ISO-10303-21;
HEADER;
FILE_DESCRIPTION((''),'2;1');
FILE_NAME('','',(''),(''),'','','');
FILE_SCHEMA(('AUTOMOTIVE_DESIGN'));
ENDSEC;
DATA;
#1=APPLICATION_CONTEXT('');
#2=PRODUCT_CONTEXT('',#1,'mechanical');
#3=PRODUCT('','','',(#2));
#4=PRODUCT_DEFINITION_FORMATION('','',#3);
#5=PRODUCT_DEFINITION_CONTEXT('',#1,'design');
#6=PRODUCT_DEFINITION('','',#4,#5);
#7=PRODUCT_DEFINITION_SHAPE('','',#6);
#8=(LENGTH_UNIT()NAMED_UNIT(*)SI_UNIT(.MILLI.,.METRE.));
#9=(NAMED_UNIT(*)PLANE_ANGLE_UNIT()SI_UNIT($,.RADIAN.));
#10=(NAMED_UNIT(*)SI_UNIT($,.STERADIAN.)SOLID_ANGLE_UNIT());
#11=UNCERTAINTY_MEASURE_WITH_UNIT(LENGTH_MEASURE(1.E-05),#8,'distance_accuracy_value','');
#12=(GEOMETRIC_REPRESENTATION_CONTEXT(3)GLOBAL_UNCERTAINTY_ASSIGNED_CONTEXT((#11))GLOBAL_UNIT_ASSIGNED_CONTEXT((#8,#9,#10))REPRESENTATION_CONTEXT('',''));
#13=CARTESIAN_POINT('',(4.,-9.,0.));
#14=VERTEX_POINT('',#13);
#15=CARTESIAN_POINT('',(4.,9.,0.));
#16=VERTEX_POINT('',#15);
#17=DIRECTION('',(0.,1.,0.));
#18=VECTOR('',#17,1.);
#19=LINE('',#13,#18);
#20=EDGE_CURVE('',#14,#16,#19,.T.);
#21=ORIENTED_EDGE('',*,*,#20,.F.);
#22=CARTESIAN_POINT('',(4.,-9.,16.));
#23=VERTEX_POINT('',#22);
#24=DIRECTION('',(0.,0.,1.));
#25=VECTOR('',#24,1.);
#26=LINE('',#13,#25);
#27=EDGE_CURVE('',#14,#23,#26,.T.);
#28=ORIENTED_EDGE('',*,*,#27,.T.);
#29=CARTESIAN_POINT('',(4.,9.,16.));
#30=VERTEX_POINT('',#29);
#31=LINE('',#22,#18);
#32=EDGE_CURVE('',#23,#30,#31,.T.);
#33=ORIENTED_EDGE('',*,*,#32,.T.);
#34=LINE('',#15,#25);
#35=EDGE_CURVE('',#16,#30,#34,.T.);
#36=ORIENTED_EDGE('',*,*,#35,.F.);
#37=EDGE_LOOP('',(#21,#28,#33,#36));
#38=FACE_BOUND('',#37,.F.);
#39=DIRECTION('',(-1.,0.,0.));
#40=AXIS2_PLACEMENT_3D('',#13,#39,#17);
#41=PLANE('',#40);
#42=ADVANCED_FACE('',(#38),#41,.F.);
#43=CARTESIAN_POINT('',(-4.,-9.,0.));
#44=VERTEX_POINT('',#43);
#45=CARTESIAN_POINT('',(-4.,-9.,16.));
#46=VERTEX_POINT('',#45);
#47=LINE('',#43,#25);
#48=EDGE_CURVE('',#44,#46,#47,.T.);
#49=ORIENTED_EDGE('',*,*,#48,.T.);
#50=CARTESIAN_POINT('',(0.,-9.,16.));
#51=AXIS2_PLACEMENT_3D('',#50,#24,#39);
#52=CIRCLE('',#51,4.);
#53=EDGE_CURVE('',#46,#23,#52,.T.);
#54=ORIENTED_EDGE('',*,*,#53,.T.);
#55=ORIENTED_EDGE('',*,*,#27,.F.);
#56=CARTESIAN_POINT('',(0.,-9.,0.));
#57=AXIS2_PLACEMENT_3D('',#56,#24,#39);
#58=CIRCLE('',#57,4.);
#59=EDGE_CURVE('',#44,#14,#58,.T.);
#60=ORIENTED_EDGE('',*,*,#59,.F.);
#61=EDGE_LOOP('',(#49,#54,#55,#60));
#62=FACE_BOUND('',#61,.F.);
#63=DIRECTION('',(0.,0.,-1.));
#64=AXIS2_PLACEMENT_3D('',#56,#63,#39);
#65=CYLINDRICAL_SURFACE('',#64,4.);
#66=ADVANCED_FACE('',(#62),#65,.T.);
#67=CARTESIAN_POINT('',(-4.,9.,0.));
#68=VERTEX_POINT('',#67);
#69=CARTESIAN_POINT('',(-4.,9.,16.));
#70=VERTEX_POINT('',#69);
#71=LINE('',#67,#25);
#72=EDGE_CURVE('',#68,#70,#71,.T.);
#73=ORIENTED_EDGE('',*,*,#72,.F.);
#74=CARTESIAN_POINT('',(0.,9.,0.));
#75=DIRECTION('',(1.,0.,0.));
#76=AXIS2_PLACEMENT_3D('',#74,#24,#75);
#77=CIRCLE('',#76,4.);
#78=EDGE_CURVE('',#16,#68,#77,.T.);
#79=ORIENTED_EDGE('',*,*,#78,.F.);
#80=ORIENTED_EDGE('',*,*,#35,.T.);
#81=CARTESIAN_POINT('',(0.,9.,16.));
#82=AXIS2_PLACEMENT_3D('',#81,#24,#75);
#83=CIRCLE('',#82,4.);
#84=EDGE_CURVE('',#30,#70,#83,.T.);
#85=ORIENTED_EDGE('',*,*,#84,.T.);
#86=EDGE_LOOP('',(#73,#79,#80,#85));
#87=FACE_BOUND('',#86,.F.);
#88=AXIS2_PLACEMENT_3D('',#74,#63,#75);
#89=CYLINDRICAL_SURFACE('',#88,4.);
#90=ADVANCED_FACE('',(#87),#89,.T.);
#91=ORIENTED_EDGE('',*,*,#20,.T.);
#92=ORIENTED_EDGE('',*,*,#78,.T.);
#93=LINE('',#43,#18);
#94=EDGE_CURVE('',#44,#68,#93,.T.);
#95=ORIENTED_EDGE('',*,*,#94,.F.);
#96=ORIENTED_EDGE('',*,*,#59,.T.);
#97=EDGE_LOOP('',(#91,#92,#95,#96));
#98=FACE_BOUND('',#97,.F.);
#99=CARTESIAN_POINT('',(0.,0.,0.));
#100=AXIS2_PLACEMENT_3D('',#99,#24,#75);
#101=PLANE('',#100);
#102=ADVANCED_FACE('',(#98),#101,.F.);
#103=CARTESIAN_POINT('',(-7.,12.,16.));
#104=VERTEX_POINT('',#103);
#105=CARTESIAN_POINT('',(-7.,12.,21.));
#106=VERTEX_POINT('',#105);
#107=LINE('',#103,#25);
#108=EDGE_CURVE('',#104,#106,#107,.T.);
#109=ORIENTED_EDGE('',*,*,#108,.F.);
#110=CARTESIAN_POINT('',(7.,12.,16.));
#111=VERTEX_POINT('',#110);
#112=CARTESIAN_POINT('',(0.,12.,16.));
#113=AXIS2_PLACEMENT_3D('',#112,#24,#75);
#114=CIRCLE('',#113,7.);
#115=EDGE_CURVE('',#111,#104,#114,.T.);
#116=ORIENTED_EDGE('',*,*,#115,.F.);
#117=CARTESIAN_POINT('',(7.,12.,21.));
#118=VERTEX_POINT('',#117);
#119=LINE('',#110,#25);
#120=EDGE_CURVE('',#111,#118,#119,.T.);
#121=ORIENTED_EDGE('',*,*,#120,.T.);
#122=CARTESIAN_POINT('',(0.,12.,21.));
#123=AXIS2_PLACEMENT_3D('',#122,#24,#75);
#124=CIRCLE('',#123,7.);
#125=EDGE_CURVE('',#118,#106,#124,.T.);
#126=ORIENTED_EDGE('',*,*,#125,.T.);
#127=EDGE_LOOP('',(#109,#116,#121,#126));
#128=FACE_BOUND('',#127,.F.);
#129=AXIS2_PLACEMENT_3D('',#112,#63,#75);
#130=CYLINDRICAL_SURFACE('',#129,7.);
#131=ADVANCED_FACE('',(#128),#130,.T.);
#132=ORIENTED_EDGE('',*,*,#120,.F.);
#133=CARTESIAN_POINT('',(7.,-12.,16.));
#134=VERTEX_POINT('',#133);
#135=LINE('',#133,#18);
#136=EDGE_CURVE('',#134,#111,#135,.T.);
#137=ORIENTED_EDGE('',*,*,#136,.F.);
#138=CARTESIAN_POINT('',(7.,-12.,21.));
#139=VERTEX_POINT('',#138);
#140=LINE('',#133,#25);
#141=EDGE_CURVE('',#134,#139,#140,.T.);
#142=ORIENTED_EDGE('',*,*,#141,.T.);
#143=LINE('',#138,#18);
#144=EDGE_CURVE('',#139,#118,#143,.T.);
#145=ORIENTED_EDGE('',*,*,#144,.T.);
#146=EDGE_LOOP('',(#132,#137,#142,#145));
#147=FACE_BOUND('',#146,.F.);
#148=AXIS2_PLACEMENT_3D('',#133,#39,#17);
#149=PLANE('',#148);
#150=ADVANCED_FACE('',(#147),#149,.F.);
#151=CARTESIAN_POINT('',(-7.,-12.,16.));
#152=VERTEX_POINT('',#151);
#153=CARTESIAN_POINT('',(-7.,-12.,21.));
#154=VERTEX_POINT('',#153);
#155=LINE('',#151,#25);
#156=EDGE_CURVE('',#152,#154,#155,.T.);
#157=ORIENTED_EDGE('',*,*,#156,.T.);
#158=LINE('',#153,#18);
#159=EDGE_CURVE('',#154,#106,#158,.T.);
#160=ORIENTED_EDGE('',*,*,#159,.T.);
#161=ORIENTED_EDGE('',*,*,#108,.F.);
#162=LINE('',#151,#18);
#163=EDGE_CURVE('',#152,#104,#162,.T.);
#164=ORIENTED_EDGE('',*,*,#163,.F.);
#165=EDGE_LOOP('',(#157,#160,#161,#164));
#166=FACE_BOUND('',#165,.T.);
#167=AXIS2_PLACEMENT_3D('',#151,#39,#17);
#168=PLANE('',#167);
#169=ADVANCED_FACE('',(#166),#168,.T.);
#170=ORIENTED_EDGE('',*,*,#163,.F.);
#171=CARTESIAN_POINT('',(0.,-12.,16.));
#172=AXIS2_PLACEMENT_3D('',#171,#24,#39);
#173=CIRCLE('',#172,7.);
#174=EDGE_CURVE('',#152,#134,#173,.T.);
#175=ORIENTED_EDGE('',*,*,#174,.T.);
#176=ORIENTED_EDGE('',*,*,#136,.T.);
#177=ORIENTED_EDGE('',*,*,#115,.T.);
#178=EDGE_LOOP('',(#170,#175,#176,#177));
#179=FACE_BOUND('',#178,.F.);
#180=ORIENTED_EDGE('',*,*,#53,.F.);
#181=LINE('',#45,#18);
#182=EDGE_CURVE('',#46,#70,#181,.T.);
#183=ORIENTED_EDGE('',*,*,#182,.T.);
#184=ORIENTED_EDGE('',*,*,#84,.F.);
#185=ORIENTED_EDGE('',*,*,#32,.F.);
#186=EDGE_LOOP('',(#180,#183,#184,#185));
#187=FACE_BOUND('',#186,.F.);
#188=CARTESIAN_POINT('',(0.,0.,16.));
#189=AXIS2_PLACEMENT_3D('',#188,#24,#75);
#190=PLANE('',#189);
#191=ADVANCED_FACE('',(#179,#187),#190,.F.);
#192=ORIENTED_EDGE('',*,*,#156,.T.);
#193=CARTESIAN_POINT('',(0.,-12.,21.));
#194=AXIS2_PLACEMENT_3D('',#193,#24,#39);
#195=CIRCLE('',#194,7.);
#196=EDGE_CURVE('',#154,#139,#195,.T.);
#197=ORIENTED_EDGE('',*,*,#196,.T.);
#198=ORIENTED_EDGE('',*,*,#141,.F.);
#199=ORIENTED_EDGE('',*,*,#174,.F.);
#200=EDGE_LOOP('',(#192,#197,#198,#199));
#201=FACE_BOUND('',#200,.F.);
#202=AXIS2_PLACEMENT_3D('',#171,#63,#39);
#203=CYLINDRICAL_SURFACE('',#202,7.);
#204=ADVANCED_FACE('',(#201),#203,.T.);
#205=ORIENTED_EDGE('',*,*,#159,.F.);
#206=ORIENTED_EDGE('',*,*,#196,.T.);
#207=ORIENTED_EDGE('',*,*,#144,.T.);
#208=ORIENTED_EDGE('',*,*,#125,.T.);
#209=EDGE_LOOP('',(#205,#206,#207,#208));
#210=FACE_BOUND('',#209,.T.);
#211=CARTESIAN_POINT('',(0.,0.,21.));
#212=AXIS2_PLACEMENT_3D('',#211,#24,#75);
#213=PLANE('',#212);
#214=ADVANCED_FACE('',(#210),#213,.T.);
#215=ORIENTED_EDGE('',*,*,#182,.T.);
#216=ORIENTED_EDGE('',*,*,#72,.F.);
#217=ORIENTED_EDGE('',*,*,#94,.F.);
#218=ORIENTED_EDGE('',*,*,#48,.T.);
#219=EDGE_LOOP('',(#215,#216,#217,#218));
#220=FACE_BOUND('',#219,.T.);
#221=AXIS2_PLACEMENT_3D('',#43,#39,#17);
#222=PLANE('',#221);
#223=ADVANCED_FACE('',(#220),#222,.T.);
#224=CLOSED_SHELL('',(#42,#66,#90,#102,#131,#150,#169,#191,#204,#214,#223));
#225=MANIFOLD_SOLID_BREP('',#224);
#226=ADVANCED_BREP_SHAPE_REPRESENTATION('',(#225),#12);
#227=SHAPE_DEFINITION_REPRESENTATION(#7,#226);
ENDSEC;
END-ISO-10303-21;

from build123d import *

# Parameters (mm, degrees)
EXTRUDE001_DEPTH = 5
EXTRUDE_DEPTH    = 16


with BuildPart() as cap_top_extrude:
    # Sketch006 → Extrude001 (new body)
    with BuildSketch(Plane.XY):
        with BuildLine():
            ThreePointArc((-7, -12), (0, -19), (7, -12))
            Line((7, -12), (7, 12))
            ThreePointArc((7, 12), (0, 19), (-7, 12))
            Line((-7, -12), (-7, 12))
        make_face()
    extrude(amount=EXTRUDE001_DEPTH)


with BuildPart() as cap_top_extrude_1:
    # Extrude001 placement: moved
    add(cap_top_extrude.part.moved(Location((0, 0, 16))))


with BuildPart() as cap_fuse:
    # Sketch005 → Extrude (new body)
    with BuildSketch(Plane.XY):
        with BuildLine():
            ThreePointArc((-4, -9), (0, -13), (4, -9))
            Line((4, -9), (4, 9))
            ThreePointArc((4, 9), (0, 13), (-4, 9))
            Line((-4, -9), (-4, 9))
        make_face()
    extrude(amount=EXTRUDE_DEPTH)

    # Fusion: union cap_top_extrude
    add(cap_top_extrude_1.part)


solid = cap_fuse.part
